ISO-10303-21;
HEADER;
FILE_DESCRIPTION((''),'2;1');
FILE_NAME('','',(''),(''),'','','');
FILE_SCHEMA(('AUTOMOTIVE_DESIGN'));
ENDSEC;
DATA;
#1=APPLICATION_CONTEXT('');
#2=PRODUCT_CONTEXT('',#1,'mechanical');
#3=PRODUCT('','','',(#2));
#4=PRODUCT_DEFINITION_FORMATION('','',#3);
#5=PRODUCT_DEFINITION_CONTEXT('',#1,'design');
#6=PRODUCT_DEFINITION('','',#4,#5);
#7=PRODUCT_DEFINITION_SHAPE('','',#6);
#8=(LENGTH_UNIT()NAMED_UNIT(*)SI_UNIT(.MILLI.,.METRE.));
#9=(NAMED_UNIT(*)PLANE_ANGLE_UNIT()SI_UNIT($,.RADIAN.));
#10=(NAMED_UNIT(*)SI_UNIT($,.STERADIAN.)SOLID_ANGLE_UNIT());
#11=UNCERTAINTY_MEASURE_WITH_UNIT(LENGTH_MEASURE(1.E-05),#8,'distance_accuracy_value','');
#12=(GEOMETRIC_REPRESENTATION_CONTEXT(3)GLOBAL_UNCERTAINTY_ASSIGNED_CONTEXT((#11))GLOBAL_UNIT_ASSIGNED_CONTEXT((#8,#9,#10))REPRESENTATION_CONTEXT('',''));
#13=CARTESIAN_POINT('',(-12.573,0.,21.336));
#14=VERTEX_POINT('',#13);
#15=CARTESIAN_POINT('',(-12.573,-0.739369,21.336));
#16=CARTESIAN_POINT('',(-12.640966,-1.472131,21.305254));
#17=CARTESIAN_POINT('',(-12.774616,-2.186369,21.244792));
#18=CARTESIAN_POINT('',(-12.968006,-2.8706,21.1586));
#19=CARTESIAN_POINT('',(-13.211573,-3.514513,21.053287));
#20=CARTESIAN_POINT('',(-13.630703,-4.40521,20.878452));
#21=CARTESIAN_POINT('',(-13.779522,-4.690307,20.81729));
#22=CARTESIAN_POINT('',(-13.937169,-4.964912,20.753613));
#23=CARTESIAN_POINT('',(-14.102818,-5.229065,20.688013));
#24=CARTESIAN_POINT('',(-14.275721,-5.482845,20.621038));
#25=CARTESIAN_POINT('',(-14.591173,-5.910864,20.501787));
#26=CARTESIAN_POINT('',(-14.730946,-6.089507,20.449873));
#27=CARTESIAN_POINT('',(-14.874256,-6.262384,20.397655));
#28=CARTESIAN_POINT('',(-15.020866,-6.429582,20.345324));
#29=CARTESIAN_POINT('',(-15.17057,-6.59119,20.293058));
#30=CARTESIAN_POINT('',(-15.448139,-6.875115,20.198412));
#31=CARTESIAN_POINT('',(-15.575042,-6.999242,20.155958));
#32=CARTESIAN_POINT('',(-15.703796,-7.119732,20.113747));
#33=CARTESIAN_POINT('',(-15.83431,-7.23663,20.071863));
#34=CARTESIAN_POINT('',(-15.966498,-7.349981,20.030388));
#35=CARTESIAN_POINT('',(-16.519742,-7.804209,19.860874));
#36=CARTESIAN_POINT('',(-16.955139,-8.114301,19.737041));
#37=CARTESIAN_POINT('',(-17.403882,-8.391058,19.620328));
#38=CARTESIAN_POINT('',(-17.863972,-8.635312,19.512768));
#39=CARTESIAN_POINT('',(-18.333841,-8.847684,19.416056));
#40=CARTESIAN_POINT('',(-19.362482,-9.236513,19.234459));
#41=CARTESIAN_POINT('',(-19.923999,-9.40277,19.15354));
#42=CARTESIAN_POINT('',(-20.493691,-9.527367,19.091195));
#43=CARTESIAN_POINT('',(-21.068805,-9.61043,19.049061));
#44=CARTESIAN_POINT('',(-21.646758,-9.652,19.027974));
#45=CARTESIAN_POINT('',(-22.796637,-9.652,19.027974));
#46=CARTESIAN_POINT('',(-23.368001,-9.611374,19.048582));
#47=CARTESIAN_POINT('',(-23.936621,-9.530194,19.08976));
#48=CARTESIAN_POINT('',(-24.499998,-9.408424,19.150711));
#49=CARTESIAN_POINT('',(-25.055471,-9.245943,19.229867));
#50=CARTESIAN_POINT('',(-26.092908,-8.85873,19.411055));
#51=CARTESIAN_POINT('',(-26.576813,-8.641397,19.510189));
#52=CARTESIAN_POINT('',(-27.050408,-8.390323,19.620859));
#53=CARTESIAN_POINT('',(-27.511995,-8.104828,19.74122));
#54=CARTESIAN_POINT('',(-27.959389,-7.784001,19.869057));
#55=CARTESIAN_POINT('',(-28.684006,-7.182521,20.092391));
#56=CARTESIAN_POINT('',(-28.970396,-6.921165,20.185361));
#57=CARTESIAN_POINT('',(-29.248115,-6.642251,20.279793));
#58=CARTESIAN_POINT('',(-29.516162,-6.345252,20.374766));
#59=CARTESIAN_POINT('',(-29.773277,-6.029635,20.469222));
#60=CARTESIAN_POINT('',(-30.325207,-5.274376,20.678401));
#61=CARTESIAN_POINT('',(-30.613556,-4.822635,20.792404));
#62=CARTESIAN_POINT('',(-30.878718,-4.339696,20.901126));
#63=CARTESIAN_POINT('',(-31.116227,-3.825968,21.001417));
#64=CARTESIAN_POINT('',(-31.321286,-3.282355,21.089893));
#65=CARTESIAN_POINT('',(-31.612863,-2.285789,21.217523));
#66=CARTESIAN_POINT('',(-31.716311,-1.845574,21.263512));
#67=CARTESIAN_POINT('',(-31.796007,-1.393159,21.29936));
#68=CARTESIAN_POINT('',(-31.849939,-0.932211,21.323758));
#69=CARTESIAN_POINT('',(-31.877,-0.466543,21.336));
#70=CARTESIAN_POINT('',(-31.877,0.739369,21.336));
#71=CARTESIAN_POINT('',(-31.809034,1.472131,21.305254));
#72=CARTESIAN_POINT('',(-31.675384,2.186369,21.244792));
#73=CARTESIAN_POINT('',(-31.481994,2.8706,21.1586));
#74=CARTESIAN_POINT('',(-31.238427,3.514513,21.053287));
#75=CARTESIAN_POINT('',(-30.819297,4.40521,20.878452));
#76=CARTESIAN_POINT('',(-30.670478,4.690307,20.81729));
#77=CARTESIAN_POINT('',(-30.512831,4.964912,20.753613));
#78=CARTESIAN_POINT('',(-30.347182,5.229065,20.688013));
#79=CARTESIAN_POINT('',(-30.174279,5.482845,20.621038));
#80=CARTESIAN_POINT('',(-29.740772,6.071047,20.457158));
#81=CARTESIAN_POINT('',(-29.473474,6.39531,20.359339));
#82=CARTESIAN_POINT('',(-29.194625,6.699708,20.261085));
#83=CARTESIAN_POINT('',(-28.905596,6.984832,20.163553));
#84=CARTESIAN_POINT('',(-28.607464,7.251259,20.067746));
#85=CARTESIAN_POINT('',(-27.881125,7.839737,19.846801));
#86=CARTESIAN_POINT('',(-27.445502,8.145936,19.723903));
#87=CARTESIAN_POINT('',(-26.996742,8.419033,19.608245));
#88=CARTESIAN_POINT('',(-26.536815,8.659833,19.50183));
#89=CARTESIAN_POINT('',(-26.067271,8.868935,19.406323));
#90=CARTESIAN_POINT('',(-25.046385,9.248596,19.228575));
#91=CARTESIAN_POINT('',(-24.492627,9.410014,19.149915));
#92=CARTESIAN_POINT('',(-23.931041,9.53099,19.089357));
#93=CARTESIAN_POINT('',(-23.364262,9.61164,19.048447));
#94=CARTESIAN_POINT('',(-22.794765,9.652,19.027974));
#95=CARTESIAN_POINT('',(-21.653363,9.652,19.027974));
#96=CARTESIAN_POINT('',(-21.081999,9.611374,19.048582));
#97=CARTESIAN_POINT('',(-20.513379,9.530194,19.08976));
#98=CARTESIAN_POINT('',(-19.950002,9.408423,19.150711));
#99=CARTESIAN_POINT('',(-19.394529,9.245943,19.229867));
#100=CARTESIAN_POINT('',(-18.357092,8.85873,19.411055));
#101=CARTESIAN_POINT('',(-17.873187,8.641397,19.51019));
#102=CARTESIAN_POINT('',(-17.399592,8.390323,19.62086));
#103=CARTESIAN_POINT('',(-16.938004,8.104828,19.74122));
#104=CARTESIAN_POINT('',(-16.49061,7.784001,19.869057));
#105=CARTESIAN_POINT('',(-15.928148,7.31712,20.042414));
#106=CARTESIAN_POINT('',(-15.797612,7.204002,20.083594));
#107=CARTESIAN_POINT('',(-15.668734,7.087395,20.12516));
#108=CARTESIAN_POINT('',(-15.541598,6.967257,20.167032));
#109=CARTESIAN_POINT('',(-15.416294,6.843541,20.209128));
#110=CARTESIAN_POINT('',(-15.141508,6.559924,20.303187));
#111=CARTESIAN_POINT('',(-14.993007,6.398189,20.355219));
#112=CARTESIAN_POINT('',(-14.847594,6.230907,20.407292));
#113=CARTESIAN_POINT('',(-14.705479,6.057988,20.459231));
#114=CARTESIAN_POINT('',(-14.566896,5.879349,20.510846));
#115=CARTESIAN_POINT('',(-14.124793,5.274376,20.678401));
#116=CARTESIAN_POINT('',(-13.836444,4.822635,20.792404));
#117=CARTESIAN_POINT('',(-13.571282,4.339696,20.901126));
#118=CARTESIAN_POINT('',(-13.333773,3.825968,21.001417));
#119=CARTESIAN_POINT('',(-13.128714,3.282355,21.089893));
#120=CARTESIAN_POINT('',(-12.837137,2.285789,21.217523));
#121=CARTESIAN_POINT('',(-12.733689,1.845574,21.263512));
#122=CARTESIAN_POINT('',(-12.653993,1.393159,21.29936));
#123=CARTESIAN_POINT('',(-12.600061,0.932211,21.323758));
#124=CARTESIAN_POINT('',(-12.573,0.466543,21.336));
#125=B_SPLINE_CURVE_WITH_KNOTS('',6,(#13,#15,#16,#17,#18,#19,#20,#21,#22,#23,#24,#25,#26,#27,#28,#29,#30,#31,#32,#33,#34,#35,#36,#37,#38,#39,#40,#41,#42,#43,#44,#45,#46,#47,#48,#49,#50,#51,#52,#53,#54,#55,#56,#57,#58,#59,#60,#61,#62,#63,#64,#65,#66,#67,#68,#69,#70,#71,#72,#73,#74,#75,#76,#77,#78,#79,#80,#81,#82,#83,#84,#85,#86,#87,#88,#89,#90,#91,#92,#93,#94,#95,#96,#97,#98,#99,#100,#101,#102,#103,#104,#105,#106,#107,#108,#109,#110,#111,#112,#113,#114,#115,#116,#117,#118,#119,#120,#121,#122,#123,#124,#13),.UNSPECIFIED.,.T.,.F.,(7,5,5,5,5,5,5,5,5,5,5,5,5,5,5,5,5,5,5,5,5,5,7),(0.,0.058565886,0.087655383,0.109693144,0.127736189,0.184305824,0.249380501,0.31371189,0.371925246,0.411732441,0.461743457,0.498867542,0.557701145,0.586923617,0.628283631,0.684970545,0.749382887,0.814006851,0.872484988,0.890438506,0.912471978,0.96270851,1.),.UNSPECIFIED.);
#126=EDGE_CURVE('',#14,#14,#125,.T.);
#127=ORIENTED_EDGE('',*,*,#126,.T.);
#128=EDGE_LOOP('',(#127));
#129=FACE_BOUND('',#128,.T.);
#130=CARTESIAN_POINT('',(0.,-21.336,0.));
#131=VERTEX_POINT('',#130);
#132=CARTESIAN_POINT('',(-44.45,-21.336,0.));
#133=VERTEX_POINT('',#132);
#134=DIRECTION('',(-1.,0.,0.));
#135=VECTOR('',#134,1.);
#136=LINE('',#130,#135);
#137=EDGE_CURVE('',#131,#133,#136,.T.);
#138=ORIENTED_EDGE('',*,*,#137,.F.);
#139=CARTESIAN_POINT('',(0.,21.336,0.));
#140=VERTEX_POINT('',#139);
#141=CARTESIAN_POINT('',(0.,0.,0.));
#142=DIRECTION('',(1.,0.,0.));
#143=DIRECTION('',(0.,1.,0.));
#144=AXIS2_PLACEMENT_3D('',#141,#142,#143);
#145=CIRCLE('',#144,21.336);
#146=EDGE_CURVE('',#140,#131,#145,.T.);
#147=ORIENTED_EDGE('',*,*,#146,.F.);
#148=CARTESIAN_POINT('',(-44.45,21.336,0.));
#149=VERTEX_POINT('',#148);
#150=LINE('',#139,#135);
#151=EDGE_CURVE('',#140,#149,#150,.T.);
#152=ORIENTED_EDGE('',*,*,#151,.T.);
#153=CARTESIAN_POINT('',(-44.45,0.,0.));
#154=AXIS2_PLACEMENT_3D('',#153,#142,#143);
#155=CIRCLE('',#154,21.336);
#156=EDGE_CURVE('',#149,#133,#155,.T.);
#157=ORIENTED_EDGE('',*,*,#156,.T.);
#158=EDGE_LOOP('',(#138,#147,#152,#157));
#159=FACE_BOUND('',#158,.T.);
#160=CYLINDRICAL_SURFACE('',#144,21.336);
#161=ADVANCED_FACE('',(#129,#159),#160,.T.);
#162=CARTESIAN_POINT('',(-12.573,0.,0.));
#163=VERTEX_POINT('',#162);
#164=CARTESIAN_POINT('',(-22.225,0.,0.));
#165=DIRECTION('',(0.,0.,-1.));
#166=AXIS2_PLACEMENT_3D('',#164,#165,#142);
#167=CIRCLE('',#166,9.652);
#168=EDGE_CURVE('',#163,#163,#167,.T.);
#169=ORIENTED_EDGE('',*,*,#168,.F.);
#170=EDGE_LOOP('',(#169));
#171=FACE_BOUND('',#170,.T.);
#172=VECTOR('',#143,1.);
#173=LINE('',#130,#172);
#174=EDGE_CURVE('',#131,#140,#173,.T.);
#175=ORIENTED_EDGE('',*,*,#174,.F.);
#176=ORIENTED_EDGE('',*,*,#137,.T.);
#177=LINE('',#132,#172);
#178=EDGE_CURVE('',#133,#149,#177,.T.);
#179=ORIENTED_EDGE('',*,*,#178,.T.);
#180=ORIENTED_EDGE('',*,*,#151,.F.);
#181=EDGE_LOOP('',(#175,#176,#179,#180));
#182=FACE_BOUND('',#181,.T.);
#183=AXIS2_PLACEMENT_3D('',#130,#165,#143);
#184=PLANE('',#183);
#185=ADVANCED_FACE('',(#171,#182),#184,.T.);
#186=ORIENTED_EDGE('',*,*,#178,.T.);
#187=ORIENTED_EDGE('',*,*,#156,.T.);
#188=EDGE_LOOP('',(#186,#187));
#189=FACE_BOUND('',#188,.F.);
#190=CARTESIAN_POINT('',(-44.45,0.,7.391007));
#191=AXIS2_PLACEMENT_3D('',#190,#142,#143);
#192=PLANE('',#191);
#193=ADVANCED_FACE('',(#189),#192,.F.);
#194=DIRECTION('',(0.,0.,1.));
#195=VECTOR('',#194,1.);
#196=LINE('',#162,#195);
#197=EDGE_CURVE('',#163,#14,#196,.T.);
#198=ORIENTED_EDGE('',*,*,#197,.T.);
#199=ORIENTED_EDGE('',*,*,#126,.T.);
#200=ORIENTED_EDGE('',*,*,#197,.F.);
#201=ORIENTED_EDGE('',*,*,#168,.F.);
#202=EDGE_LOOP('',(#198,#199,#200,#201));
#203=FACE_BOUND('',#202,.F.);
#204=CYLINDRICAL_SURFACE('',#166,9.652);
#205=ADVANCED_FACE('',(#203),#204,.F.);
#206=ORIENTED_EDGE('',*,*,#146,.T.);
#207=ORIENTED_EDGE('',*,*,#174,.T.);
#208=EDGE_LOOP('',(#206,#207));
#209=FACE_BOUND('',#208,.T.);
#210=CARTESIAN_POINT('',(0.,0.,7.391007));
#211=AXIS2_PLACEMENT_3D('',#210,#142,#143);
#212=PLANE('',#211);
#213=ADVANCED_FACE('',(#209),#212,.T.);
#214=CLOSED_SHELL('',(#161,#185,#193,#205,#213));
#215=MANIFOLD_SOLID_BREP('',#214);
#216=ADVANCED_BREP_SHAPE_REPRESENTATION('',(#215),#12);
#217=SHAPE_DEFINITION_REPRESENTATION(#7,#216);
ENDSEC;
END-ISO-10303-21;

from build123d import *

# Parameters (mm, degrees)
F1_DEPTH = 44.45
F2_R     = 9.652
F3_DEPTH = 21.337


with BuildPart() as f1:
    # F0 (on Right) → F1 (new body)
    with BuildSketch(Plane.YZ):
        with BuildLine():
            Line((-21.336, 0), (21.336, 0))
            ThreePointArc((21.336, 0), (0, 21.336), (-21.336, 0))
        make_face()
    extrude(amount=-F1_DEPTH)

    # F2 (on face) → F3 (cut, through all)
    with BuildSketch(Plane(origin=(0, 0, 0), x_dir=(1, 0, 0), z_dir=(0, 0, -1))):
        with Locations((-22.225, 0)):
            Circle(F2_R)
    extrude(amount=-F3_DEPTH, mode=Mode.SUBTRACT)


solid = f1.part
